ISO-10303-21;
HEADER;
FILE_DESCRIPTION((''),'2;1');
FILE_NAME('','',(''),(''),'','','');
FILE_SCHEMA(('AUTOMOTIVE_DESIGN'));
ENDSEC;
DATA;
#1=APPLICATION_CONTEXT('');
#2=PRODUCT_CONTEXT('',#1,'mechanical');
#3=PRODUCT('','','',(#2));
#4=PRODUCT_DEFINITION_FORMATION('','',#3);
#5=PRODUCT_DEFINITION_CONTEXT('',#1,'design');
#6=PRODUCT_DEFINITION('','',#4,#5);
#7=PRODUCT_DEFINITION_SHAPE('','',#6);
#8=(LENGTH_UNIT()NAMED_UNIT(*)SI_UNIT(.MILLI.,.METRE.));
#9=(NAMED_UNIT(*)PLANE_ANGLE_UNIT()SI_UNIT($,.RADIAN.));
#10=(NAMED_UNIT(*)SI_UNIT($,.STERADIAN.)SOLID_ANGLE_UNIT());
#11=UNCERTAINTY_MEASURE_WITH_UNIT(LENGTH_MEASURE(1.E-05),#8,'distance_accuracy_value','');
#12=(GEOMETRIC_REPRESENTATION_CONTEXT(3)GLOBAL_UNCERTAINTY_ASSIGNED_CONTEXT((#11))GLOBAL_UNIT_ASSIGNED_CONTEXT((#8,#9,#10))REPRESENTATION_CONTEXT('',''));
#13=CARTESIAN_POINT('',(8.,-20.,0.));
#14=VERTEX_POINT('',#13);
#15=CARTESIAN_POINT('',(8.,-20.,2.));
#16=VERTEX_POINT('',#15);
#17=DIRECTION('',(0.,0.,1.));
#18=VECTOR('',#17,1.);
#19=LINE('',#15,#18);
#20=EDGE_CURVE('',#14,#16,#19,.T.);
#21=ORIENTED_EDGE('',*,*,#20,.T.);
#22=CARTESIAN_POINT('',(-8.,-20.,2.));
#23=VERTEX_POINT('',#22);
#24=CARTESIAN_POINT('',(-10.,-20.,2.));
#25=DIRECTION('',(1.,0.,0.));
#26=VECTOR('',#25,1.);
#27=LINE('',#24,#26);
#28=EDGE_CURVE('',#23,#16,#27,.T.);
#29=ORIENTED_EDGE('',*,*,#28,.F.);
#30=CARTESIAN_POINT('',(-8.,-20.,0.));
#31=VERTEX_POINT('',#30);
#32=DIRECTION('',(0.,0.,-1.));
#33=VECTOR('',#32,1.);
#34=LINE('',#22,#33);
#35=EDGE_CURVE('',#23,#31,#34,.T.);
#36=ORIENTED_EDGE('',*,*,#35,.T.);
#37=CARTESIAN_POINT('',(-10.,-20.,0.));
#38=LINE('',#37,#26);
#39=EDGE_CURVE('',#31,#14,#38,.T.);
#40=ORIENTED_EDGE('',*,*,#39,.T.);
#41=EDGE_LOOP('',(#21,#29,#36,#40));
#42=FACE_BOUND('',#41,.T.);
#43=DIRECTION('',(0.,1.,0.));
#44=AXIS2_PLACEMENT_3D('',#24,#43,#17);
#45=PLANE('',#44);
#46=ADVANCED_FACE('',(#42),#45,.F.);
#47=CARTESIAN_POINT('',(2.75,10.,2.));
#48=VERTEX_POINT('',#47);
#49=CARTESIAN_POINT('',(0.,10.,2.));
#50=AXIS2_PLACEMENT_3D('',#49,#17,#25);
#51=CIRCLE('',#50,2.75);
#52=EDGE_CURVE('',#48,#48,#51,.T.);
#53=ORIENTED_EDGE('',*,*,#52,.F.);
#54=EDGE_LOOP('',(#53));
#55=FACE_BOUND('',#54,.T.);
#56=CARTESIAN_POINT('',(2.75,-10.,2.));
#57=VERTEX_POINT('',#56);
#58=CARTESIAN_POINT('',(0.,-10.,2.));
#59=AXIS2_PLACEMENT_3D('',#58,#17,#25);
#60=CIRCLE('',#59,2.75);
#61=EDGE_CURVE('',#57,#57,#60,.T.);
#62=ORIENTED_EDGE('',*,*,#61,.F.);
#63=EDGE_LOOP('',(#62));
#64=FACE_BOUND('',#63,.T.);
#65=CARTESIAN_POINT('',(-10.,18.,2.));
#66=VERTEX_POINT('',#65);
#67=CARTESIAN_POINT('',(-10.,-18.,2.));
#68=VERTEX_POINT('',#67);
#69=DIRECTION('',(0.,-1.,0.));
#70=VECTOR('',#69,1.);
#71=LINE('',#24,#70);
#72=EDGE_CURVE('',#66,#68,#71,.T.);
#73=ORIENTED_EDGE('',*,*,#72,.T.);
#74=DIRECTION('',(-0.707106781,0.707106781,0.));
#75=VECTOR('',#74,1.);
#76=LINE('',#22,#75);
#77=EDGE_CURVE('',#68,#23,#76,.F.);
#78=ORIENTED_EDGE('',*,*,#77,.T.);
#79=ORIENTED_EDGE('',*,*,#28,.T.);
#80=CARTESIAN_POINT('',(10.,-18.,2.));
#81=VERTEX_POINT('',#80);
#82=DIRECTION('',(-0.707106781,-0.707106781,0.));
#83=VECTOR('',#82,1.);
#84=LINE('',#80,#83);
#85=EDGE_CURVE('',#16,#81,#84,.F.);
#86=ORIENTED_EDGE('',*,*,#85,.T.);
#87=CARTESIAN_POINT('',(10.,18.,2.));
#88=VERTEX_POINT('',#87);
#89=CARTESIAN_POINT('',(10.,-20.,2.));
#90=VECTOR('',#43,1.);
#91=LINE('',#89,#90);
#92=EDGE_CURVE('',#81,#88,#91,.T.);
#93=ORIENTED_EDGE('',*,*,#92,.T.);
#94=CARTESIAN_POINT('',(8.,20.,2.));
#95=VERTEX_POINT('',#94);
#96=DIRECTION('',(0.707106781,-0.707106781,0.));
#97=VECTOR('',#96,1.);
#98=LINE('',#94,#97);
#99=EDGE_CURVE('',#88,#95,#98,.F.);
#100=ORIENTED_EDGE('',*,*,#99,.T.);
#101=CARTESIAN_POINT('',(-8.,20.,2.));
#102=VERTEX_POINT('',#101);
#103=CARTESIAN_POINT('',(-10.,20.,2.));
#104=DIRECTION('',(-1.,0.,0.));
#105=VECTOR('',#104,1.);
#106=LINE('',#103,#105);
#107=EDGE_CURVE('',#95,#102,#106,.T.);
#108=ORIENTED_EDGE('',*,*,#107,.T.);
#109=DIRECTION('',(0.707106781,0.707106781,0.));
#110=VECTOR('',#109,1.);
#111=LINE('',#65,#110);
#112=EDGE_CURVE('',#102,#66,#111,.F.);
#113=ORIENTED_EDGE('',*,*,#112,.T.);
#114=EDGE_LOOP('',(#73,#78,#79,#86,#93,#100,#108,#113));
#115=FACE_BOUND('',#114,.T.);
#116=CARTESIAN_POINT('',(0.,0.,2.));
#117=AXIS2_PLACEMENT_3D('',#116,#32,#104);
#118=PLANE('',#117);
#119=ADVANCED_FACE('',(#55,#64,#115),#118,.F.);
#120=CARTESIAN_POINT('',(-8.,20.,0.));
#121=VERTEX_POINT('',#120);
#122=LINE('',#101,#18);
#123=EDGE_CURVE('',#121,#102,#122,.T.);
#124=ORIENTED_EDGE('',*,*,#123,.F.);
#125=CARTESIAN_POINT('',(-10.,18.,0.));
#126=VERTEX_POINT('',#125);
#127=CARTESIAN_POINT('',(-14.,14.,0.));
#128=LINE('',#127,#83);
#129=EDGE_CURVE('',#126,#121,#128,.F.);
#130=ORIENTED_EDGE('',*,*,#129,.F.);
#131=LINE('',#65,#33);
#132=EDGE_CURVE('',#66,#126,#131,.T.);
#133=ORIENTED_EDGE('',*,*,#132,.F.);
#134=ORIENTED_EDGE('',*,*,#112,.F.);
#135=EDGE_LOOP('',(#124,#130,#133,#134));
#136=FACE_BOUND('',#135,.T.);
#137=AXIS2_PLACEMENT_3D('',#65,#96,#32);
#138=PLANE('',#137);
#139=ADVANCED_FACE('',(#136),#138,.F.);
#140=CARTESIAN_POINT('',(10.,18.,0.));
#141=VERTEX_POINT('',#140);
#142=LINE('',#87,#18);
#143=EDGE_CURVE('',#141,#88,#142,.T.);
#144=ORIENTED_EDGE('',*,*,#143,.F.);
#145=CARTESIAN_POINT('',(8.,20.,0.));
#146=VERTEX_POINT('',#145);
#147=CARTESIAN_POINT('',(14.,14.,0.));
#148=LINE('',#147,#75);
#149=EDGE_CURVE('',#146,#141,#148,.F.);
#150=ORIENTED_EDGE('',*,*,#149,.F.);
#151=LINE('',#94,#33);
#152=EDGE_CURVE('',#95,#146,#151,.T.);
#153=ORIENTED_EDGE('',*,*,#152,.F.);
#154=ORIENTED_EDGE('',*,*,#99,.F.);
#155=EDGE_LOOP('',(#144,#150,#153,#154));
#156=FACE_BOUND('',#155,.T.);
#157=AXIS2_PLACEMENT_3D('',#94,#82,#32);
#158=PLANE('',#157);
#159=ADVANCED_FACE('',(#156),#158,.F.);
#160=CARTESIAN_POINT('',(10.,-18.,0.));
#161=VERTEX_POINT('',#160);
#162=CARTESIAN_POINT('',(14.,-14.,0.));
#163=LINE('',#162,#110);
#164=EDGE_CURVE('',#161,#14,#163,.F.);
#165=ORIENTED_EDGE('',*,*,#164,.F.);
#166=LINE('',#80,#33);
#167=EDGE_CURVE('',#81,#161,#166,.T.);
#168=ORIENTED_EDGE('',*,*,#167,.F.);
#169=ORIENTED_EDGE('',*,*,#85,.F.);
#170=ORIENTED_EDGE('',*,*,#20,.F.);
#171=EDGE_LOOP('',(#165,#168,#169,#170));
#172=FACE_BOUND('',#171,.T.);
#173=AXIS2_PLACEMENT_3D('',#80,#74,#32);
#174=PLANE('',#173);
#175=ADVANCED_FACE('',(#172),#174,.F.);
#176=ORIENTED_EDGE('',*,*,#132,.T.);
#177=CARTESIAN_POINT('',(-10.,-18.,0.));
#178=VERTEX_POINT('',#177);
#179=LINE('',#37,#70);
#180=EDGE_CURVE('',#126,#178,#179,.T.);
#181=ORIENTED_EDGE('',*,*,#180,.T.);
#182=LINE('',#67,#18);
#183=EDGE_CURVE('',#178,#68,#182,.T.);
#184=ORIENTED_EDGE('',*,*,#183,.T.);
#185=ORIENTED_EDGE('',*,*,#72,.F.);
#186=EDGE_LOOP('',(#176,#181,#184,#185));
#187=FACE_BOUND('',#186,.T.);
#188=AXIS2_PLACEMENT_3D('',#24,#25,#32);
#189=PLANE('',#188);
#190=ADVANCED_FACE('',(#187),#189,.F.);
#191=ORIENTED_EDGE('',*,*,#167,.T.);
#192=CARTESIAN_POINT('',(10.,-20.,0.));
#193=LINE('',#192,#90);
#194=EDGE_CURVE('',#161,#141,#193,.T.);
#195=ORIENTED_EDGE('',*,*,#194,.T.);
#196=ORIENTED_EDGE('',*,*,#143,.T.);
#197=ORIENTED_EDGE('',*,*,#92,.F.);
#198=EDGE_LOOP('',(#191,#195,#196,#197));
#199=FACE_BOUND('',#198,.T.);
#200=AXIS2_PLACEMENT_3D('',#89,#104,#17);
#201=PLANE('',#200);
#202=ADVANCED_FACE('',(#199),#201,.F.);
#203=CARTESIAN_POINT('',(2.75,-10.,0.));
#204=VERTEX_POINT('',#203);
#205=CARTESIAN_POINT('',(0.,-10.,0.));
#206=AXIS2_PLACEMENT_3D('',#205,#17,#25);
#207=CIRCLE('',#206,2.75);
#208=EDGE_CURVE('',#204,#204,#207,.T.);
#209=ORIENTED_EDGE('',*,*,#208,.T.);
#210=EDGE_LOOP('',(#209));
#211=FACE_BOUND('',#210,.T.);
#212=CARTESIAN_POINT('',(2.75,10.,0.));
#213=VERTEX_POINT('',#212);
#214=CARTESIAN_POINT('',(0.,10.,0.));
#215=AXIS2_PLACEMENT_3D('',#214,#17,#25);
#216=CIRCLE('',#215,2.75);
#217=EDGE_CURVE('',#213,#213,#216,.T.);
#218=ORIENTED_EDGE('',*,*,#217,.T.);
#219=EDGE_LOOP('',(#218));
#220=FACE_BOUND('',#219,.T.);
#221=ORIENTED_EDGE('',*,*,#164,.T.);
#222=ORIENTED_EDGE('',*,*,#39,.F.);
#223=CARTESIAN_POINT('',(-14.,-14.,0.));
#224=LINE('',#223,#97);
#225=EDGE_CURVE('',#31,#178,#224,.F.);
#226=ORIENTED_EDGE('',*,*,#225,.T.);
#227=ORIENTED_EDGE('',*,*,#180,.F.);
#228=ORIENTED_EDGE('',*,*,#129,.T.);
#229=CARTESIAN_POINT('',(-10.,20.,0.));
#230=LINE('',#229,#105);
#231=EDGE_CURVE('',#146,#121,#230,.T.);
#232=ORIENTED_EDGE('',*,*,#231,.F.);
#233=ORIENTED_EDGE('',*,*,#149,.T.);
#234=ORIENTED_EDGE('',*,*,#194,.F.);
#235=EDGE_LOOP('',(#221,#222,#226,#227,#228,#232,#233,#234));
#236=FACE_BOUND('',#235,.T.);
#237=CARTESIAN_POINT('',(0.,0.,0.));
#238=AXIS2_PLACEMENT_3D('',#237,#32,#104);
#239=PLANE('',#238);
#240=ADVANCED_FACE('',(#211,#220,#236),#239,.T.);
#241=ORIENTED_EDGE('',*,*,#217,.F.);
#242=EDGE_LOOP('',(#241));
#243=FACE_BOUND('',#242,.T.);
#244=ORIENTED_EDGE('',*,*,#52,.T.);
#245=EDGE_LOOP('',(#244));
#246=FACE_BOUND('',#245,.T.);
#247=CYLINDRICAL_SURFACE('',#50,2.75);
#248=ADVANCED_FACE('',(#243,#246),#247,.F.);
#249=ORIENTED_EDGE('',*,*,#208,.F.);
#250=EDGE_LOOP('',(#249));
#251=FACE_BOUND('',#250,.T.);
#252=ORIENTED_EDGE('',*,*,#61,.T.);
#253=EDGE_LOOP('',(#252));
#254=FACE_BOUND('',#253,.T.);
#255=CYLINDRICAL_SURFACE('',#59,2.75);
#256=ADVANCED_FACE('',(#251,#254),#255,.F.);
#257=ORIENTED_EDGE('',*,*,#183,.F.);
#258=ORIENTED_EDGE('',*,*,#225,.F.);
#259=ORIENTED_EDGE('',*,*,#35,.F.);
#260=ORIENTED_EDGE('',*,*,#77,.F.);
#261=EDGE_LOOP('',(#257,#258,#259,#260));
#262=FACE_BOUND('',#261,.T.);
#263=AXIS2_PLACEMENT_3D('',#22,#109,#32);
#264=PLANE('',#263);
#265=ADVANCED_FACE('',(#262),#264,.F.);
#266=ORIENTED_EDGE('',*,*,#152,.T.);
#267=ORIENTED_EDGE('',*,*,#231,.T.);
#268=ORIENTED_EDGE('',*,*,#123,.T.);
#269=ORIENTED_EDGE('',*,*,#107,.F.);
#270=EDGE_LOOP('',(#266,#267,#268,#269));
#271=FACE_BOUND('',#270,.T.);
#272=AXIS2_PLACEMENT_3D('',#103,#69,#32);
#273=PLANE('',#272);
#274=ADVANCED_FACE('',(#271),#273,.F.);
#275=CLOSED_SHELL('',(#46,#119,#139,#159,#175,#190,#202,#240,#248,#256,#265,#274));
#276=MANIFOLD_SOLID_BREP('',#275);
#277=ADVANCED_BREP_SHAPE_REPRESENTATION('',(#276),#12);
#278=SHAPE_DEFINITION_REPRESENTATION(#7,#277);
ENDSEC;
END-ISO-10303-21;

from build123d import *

# Parameters (mm, degrees)
SKETCH_1_W        = 20
SKETCH_1_H        = 40
EXTRUDE_1_DEPTH   = 2
CHAMFER_1_SIZE    = 2
HOLE_WIZARD_M51_D = 5.5


with BuildPart() as part:
    # Эскиз1 → Бобышка-Вытянуть1 (new body)
    with BuildSketch(Plane.XY):
        Rectangle(SKETCH_1_W, SKETCH_1_H)
    extrude(amount=EXTRUDE_1_DEPTH)

    # Фаска1
    chamfer_1_edges = [part.edges().sort_by_distance(p)[0] for p in [
        (10, -20, 1),
        (-10, -20, 1),
        (-10, 20, 1),
        (10, 20, 1),
    ]]
    chamfer(chamfer_1_edges, length=CHAMFER_1_SIZE)

    # Отверстие с зазором M51 (through all)
    with Locations(Plane.XY.offset(2)):
        with Locations((0, -30), (0, 30), (0, 10), (0, -10)):
            Hole(HOLE_WIZARD_M51_D / 2)


solid = part.part
